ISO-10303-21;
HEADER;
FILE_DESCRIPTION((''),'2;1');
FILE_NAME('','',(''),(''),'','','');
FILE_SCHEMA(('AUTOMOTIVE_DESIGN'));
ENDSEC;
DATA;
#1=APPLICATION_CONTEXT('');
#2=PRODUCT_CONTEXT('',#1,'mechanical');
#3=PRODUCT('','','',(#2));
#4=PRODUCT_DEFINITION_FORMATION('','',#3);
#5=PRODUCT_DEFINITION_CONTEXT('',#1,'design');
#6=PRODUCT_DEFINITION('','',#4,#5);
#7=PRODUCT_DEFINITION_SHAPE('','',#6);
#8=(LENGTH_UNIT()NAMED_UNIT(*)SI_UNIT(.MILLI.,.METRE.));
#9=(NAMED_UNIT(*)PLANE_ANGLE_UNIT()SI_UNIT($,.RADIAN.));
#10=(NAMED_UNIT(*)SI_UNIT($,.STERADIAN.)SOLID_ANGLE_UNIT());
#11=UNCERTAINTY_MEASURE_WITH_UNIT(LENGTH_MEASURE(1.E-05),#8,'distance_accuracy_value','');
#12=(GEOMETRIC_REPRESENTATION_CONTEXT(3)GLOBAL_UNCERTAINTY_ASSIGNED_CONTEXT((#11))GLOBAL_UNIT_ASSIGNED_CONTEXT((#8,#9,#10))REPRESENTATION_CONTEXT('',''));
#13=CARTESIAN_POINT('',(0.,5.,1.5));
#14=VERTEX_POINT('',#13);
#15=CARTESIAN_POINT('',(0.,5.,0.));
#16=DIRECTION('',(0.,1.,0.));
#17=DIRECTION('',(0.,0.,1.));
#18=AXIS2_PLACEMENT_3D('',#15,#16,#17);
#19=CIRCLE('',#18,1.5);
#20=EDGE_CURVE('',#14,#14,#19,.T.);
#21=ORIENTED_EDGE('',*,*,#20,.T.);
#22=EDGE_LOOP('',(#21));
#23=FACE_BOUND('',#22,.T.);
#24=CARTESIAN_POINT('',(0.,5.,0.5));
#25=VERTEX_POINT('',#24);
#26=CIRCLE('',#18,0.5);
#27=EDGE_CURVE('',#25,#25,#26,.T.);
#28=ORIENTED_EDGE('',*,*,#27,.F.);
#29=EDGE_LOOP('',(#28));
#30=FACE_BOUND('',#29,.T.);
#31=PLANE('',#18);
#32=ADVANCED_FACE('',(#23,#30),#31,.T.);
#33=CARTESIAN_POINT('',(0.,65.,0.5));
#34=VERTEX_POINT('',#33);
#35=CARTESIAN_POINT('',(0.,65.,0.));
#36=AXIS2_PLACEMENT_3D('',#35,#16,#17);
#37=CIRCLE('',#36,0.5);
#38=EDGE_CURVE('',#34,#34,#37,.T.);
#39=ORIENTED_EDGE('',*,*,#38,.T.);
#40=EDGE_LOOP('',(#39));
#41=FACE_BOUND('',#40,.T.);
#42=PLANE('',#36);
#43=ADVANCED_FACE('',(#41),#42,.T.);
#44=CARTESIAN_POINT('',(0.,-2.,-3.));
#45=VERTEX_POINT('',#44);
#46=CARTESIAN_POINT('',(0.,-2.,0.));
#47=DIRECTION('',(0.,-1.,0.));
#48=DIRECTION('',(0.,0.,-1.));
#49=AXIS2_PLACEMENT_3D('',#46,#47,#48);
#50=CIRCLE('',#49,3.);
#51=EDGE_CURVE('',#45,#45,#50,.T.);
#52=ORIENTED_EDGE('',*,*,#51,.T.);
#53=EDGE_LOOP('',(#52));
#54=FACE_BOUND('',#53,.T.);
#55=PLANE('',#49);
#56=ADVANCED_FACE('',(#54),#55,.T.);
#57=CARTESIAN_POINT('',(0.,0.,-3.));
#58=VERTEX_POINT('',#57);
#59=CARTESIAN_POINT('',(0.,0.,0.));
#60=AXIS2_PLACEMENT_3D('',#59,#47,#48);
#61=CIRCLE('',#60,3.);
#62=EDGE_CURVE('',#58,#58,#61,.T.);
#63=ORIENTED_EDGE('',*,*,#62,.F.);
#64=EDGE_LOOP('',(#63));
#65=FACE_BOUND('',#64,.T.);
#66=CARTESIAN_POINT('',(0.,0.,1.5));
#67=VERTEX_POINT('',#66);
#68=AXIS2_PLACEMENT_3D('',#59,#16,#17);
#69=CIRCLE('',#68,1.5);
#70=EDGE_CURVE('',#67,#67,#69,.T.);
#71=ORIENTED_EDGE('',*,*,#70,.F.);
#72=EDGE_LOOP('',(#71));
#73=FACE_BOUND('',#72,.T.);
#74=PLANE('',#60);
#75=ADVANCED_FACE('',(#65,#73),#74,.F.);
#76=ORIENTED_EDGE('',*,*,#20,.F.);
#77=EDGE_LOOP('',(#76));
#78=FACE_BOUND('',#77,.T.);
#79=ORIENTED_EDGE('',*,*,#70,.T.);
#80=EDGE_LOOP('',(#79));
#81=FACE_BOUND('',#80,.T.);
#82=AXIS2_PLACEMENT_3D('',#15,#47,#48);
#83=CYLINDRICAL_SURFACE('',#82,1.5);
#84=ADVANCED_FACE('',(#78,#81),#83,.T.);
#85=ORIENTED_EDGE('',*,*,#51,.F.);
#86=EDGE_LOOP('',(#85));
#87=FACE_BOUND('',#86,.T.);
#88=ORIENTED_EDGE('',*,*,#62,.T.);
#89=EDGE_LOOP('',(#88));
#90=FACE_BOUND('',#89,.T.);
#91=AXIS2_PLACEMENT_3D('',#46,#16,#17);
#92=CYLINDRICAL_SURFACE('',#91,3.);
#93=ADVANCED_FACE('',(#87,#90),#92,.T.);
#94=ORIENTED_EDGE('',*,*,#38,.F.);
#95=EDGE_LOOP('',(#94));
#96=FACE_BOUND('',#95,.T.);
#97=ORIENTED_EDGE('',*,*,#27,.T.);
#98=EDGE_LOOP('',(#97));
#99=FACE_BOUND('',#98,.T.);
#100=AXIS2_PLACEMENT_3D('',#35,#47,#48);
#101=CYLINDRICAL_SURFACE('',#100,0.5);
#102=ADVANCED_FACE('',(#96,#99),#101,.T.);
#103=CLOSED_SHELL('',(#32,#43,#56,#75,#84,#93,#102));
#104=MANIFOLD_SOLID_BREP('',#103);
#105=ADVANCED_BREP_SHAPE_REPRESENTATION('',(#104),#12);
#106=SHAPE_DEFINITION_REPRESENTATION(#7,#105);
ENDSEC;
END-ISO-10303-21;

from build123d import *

# Parameters (mm, degrees)
SKETCH2_R           = 1.5
BOSS_EXTRUDE1_DEPTH = 5
SKETCH3_R           = 0.5
BOSS_EXTRUDE2_DEPTH = 60
SKETCH4_R           = 3
BOSS_EXTRUDE3_DEPTH = 2


with BuildPart() as part:
    # Sketch2 → Boss-Extrude1 (new body)
    with BuildSketch(Plane(origin=(0, 0, 0), x_dir=(1, 0, 0), z_dir=(0, 1, 0))):
        Circle(SKETCH2_R)
    extrude(amount=BOSS_EXTRUDE1_DEPTH)

    # Sketch3 → Boss-Extrude2 (add)
    with BuildSketch(Plane(origin=(0, 5, 0), x_dir=(1, 0, 0), z_dir=(0, 1, 0))):
        Circle(SKETCH3_R)
    extrude(amount=BOSS_EXTRUDE2_DEPTH)

    # Sketch4 → Boss-Extrude3 (add)
    with BuildSketch(Plane.XZ):
        Circle(SKETCH4_R)
    extrude(amount=BOSS_EXTRUDE3_DEPTH)


solid = part.part
